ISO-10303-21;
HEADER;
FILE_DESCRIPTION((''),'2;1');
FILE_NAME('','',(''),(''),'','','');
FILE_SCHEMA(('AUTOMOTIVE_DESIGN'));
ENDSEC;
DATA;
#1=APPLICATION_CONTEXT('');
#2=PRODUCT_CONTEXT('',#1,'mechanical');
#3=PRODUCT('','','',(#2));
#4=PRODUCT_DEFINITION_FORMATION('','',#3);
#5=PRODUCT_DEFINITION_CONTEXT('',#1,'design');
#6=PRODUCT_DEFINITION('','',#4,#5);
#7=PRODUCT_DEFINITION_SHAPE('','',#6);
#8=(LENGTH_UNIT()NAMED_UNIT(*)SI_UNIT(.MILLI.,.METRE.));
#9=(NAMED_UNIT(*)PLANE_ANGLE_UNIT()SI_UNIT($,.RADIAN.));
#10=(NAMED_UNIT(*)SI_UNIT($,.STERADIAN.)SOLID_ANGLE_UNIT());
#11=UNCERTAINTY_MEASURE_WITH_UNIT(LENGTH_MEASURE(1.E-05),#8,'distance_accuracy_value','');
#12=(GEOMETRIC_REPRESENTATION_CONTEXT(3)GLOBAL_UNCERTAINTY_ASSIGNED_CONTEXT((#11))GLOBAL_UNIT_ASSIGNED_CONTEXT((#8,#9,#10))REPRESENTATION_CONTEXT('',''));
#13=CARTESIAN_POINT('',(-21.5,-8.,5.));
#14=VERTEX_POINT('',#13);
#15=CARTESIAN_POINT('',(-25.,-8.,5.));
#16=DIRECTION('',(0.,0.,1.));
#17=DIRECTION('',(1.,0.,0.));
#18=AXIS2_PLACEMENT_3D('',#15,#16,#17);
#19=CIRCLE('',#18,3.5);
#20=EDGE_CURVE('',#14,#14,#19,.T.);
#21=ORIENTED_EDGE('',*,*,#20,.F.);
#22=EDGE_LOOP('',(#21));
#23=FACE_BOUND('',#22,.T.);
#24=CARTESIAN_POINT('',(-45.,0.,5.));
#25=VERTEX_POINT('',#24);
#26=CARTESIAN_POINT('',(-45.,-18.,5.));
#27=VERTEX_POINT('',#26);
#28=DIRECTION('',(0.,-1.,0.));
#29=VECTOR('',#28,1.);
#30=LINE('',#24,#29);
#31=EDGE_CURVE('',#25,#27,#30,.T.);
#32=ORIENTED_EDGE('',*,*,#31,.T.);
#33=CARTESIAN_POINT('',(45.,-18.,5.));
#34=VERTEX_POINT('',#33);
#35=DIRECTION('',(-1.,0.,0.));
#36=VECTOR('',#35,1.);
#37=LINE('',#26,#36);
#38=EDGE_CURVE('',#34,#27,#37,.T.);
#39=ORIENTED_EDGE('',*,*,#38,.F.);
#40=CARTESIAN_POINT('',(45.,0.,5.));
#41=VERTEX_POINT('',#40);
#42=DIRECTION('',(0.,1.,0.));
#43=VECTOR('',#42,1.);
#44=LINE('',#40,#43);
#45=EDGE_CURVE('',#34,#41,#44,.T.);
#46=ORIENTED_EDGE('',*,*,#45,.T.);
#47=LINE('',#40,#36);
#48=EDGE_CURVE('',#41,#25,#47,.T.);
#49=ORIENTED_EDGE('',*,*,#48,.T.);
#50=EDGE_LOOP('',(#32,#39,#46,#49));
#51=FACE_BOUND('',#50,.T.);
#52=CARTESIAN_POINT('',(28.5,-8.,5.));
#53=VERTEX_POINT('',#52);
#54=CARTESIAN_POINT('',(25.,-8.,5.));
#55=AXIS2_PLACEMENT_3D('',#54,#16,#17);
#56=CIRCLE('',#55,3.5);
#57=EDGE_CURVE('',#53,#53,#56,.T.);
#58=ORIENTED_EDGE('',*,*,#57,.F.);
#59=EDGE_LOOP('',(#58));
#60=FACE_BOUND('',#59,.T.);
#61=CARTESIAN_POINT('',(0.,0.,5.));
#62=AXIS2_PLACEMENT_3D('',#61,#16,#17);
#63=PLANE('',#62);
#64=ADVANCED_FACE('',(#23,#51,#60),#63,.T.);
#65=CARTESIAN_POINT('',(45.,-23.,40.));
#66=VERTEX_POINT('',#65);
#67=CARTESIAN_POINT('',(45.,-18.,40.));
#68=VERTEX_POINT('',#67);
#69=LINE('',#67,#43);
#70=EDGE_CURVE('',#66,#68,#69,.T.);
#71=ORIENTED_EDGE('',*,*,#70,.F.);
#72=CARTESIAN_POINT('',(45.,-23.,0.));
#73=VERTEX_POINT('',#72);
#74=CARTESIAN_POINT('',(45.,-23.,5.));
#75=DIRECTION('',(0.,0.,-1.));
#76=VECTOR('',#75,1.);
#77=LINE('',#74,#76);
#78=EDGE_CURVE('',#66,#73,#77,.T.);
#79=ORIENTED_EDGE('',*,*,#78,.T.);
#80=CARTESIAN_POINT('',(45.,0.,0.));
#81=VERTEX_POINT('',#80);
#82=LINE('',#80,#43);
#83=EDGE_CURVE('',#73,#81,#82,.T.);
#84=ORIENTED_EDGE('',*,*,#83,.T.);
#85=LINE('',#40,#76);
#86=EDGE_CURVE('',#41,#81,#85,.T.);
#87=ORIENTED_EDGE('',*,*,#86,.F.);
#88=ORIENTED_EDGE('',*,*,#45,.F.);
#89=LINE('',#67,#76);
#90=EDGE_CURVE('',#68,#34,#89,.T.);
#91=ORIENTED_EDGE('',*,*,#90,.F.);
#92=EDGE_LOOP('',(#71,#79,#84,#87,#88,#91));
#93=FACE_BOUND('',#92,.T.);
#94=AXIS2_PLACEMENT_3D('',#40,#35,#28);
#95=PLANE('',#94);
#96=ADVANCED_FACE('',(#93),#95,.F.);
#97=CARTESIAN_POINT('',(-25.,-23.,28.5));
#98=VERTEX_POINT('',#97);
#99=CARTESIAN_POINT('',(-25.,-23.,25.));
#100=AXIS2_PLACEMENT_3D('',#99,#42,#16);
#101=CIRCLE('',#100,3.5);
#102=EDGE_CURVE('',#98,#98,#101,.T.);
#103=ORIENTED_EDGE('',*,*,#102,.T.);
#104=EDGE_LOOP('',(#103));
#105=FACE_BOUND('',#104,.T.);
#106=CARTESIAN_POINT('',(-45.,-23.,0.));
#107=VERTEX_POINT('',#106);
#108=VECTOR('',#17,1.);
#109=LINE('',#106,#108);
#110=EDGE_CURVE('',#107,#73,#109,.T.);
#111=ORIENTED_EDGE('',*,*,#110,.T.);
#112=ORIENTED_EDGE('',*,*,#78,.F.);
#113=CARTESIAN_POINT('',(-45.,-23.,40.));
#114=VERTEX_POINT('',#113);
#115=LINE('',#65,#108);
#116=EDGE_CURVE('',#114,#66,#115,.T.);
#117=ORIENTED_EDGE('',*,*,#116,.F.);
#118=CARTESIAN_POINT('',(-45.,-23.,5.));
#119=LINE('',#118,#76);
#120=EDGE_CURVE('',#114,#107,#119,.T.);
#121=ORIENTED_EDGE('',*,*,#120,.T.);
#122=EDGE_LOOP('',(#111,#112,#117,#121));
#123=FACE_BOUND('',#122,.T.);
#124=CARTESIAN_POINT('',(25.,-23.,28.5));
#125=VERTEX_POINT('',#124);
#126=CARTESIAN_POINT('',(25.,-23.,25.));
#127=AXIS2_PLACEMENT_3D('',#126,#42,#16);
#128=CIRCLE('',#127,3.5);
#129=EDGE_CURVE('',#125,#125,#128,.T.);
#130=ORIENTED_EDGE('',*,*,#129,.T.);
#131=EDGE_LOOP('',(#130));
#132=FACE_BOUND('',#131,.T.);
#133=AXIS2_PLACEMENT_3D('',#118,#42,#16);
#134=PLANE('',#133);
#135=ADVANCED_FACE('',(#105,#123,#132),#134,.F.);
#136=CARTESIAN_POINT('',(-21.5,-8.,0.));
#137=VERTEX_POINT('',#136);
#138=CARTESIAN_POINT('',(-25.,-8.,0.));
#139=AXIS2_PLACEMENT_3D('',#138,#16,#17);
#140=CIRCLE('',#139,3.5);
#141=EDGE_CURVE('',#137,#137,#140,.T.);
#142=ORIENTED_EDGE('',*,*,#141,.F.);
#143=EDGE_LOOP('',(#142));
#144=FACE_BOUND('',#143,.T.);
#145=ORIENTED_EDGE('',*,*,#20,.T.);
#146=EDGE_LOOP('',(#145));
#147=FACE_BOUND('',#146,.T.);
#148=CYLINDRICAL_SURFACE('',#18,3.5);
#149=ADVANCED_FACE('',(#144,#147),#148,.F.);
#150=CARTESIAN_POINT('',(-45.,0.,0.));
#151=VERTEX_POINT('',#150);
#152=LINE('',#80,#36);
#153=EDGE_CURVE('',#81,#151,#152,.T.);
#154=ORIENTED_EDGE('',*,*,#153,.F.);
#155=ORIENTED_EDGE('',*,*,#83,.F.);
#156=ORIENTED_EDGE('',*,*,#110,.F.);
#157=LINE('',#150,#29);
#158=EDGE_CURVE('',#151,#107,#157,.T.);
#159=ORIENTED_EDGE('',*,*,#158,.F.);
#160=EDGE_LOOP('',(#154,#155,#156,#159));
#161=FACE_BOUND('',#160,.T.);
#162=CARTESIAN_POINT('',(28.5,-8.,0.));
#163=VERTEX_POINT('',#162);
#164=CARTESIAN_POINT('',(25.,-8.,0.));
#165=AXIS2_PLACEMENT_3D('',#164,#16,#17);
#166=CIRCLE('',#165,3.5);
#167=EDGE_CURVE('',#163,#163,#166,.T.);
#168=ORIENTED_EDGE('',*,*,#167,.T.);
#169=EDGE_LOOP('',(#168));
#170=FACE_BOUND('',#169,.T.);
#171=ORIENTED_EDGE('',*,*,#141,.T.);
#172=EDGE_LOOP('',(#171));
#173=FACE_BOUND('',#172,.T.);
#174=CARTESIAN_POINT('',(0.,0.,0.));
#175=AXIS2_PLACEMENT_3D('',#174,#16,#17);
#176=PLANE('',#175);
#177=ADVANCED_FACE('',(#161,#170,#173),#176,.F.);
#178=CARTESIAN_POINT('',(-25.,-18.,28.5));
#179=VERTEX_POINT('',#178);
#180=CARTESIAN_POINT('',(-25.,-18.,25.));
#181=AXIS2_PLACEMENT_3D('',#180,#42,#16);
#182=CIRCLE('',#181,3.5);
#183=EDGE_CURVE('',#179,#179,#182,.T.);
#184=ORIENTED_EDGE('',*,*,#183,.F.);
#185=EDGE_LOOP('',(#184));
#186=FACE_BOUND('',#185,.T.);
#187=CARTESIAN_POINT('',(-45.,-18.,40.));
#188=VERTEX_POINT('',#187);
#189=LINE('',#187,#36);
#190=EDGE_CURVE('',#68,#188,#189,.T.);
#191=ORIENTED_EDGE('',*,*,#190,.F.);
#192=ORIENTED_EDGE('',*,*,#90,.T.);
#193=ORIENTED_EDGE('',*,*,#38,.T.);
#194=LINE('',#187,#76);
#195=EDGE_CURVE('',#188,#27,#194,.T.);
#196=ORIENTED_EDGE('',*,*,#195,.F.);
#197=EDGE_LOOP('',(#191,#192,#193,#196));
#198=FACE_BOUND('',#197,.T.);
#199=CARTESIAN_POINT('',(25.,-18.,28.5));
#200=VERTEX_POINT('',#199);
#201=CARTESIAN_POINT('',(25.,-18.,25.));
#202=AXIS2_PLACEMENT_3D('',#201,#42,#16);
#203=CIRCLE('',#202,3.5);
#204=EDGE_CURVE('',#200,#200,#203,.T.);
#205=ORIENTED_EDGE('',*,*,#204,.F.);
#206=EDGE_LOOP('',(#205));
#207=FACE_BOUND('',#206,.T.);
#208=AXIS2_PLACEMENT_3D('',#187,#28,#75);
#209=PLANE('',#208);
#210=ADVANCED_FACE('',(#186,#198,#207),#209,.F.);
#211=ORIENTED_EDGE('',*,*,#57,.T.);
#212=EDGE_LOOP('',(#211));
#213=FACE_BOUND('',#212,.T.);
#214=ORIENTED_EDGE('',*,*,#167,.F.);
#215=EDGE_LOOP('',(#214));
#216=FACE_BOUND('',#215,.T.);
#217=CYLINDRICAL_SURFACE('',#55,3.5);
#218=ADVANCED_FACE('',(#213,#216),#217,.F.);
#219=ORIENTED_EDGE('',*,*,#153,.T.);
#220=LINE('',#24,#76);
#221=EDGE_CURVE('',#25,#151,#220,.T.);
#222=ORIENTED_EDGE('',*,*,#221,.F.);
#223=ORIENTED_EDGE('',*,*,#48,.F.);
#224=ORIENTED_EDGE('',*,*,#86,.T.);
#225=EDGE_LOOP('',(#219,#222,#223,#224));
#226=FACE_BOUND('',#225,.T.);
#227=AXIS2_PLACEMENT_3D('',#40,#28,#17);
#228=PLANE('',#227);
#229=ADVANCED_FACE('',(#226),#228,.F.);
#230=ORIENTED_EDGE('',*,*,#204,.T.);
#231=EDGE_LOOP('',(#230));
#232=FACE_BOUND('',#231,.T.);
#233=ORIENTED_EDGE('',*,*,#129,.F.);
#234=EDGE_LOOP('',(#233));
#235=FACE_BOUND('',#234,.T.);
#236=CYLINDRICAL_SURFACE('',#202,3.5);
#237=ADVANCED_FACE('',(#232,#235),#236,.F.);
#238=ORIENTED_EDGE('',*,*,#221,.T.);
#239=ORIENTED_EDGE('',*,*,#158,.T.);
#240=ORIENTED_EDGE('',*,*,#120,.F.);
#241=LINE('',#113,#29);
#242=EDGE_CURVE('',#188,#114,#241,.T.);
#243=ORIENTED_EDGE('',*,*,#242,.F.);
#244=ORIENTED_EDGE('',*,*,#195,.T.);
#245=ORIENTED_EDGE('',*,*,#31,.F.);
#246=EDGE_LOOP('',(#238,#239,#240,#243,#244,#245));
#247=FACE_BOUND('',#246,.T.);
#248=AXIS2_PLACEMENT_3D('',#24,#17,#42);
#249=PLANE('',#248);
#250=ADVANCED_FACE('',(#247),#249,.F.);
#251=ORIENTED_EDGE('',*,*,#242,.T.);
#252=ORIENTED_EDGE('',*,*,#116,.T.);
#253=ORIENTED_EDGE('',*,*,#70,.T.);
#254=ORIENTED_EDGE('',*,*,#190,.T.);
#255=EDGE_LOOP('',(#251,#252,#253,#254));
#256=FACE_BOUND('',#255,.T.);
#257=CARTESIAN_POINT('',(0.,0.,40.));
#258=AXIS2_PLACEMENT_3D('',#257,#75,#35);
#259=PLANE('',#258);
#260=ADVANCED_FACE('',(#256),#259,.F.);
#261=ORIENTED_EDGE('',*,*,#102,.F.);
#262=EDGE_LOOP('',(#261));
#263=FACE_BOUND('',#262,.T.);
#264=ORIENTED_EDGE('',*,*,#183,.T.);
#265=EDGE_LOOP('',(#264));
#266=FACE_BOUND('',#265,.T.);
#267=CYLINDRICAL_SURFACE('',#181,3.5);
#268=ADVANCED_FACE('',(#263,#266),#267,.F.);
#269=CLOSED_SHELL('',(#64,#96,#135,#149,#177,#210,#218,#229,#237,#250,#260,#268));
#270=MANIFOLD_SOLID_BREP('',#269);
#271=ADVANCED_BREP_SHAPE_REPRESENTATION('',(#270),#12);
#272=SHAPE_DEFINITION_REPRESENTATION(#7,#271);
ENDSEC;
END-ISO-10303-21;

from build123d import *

# Parameters (mm, degrees)
SKETCH2_W             = 90
SKETCH2_H             = 23
BOSS_EXTRUDE2_DEPTH   = 5
SKETCH4_W             = 90
SKETCH4_H             = 5
BOSS_EXTRUDE3_DEPTH   = 35
M8X1_0_TAPPED_HOLE1_D = 7
M8X1_0_TAPPED_HOLE2_D = 7


with BuildPart() as part:
    # Sketch2 → Boss-Extrude2 (new body)
    with BuildSketch(Plane.XY):
        with Locations((0, -11.5)):
            Rectangle(SKETCH2_W, SKETCH2_H)
    extrude(amount=BOSS_EXTRUDE2_DEPTH)

    # Sketch4 → Boss-Extrude3 (add)
    with BuildSketch(Plane.XY.offset(5)):
        with Locations((0, -20.5)):
            Rectangle(SKETCH4_W, SKETCH4_H)
    extrude(amount=BOSS_EXTRUDE3_DEPTH)

    # M8x1.0 Tapped Hole1 (through all)
    with Locations(Plane.XY.offset(5)):
        with Locations((-25, -8), (25, -8)):
            Hole(M8X1_0_TAPPED_HOLE1_D / 2)

    # M8x1.0 Tapped Hole2 (through all)
    with Locations(Plane(origin=(0, -18, 0), x_dir=(1, 0, 0), z_dir=(0, 1, 0))):
        with Locations((-25, -25), (25, -25)):
            Hole(M8X1_0_TAPPED_HOLE2_D / 2)


solid = part.part
